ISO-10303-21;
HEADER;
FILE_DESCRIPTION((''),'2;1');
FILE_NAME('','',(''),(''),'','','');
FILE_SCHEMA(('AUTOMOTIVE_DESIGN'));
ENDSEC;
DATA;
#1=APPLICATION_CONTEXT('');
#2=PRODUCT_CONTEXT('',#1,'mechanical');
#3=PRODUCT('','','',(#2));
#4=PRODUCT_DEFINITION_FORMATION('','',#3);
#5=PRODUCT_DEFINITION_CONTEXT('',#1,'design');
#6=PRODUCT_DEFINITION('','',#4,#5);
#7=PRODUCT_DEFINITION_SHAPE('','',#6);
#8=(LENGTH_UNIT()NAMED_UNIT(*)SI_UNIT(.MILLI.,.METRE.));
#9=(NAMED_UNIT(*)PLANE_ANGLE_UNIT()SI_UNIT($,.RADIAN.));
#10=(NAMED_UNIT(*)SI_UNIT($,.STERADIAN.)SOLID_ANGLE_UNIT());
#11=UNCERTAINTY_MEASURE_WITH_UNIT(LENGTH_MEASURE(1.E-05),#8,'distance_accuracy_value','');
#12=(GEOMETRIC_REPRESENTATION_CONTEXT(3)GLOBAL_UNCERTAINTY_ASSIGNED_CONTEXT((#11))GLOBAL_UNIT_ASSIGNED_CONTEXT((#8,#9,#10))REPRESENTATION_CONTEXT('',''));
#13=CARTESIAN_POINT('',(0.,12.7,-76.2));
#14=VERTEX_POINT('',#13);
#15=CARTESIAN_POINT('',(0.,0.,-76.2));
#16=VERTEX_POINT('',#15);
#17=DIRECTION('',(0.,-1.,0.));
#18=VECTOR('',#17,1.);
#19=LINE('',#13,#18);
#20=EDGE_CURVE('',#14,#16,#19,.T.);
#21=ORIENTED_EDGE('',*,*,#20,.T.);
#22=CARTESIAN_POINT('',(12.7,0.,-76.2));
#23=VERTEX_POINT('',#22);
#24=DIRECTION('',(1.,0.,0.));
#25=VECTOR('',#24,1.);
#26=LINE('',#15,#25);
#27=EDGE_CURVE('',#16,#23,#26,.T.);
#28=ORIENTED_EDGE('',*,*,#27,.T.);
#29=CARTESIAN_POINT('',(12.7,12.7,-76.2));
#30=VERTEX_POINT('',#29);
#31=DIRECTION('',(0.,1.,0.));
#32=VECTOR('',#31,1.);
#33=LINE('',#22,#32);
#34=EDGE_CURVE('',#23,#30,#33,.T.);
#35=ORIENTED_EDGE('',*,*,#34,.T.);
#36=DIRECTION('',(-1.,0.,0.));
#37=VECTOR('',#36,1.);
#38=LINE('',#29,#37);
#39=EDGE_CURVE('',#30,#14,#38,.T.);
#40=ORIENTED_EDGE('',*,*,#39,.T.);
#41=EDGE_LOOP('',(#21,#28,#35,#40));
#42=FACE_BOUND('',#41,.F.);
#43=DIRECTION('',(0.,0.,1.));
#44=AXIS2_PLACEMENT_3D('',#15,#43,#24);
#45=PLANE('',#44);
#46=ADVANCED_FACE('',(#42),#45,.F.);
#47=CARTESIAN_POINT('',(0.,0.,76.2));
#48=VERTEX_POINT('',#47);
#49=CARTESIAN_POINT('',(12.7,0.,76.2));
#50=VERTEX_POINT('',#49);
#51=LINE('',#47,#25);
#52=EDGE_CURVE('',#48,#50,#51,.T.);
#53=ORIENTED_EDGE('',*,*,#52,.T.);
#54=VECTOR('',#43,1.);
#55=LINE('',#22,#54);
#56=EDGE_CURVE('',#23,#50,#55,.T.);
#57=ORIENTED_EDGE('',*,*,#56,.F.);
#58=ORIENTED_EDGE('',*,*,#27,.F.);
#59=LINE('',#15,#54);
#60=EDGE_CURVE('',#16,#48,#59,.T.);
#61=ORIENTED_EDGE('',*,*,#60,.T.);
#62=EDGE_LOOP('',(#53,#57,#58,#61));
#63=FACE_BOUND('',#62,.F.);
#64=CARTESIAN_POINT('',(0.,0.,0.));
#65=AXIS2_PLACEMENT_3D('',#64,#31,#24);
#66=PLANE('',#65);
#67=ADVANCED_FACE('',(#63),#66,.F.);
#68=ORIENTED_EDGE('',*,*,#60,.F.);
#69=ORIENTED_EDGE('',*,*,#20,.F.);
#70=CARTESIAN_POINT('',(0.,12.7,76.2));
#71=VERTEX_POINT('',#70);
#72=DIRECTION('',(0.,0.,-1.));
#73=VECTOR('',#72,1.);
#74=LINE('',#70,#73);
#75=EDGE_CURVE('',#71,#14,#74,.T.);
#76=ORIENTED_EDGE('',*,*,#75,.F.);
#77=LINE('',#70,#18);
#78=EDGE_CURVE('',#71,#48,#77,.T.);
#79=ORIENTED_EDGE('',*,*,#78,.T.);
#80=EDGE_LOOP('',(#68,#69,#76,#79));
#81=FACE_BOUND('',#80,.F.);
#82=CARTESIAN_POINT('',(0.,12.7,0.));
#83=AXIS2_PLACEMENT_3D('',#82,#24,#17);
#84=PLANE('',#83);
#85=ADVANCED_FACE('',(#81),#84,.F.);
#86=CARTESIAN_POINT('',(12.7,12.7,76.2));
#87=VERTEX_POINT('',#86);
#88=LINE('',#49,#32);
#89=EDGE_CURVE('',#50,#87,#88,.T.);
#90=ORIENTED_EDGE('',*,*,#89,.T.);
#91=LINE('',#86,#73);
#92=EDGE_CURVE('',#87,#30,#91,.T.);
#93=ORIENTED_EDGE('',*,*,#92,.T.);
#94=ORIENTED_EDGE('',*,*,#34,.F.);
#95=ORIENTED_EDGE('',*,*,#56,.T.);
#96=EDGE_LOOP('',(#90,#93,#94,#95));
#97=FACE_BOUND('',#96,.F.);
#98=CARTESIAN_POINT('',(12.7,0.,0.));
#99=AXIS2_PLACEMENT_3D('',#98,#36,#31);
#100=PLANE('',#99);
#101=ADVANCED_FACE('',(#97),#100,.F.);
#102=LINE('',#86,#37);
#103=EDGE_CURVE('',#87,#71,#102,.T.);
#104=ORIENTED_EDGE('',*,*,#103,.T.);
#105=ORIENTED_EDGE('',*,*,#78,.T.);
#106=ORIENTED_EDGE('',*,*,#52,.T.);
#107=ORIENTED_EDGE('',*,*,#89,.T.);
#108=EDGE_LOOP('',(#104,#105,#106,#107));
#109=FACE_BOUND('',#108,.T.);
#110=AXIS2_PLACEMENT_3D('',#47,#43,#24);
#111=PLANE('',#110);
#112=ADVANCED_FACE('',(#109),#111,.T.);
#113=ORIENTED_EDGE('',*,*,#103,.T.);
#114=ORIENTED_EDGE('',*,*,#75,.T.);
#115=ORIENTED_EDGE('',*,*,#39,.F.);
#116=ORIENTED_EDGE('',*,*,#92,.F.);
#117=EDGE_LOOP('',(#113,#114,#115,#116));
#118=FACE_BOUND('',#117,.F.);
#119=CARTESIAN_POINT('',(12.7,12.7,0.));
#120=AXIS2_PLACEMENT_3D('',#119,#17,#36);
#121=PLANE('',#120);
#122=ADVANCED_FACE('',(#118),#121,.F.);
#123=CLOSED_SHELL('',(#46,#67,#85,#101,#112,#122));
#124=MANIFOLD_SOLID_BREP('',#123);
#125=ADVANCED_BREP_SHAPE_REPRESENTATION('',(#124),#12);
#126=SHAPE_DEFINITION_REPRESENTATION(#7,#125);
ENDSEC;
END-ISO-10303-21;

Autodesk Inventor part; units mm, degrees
ref_plane "YZ Plane" through (0, 0, 0) normal (1, 0, 0) x (0, 1, 0)
ref_plane "XZ Plane" through (0, 0, 0) normal (0, 1, 0) x (-1, 0, 0)
ref_plane "XY Plane" through (0, 0, 0) normal (0, 0, 1) x (1, 0, 0)
sketch "Sketch1" plane through (0, 0, 0) normal (0, 0, 1) x (1, 0, 0)
  line L0 (0, 0) -> (12.7, 0)
  line L1 (12.7, 0) -> (12.7, 12.7)
  line L2 (12.7, 12.7) -> (0, 12.7)
  line L3 (0, 12.7) -> (0, 0)
  dimension "d0" = 12.7
  dimension "d1" = 12.7
extrude "Extrusion1" add sketch "Sketch1" along normal mid plane 152.4
ref_plane "Work Plane2" through (0, 0, 0) normal (0, 0, 1) x (1, 0, 0)
sketch "Sketch2" plane through (0, 12.7, -76.2) normal (0, 1, 0) x (1, 0, 0)
  circle A0 centre (-130.048, 127) radius 273.05 construction
  line L0 (12.7, -152.4) -> (0, -152.4) projected
  line L1 (0, 0) -> (0, -152.4) projected
  circle A1 centre (-130.048, 127) radius 273.05
  circle A2 centre (-130.048, 127) radius 457.3654
  point P0 (0, -76.2)
  dimension "d4" = 546.1
  dimension "d5" = 279.4
  dimension "d6" = 130.048
properties part number "CAR_009_PoplarCenterLongBrace" material "Wood (Birch)"
